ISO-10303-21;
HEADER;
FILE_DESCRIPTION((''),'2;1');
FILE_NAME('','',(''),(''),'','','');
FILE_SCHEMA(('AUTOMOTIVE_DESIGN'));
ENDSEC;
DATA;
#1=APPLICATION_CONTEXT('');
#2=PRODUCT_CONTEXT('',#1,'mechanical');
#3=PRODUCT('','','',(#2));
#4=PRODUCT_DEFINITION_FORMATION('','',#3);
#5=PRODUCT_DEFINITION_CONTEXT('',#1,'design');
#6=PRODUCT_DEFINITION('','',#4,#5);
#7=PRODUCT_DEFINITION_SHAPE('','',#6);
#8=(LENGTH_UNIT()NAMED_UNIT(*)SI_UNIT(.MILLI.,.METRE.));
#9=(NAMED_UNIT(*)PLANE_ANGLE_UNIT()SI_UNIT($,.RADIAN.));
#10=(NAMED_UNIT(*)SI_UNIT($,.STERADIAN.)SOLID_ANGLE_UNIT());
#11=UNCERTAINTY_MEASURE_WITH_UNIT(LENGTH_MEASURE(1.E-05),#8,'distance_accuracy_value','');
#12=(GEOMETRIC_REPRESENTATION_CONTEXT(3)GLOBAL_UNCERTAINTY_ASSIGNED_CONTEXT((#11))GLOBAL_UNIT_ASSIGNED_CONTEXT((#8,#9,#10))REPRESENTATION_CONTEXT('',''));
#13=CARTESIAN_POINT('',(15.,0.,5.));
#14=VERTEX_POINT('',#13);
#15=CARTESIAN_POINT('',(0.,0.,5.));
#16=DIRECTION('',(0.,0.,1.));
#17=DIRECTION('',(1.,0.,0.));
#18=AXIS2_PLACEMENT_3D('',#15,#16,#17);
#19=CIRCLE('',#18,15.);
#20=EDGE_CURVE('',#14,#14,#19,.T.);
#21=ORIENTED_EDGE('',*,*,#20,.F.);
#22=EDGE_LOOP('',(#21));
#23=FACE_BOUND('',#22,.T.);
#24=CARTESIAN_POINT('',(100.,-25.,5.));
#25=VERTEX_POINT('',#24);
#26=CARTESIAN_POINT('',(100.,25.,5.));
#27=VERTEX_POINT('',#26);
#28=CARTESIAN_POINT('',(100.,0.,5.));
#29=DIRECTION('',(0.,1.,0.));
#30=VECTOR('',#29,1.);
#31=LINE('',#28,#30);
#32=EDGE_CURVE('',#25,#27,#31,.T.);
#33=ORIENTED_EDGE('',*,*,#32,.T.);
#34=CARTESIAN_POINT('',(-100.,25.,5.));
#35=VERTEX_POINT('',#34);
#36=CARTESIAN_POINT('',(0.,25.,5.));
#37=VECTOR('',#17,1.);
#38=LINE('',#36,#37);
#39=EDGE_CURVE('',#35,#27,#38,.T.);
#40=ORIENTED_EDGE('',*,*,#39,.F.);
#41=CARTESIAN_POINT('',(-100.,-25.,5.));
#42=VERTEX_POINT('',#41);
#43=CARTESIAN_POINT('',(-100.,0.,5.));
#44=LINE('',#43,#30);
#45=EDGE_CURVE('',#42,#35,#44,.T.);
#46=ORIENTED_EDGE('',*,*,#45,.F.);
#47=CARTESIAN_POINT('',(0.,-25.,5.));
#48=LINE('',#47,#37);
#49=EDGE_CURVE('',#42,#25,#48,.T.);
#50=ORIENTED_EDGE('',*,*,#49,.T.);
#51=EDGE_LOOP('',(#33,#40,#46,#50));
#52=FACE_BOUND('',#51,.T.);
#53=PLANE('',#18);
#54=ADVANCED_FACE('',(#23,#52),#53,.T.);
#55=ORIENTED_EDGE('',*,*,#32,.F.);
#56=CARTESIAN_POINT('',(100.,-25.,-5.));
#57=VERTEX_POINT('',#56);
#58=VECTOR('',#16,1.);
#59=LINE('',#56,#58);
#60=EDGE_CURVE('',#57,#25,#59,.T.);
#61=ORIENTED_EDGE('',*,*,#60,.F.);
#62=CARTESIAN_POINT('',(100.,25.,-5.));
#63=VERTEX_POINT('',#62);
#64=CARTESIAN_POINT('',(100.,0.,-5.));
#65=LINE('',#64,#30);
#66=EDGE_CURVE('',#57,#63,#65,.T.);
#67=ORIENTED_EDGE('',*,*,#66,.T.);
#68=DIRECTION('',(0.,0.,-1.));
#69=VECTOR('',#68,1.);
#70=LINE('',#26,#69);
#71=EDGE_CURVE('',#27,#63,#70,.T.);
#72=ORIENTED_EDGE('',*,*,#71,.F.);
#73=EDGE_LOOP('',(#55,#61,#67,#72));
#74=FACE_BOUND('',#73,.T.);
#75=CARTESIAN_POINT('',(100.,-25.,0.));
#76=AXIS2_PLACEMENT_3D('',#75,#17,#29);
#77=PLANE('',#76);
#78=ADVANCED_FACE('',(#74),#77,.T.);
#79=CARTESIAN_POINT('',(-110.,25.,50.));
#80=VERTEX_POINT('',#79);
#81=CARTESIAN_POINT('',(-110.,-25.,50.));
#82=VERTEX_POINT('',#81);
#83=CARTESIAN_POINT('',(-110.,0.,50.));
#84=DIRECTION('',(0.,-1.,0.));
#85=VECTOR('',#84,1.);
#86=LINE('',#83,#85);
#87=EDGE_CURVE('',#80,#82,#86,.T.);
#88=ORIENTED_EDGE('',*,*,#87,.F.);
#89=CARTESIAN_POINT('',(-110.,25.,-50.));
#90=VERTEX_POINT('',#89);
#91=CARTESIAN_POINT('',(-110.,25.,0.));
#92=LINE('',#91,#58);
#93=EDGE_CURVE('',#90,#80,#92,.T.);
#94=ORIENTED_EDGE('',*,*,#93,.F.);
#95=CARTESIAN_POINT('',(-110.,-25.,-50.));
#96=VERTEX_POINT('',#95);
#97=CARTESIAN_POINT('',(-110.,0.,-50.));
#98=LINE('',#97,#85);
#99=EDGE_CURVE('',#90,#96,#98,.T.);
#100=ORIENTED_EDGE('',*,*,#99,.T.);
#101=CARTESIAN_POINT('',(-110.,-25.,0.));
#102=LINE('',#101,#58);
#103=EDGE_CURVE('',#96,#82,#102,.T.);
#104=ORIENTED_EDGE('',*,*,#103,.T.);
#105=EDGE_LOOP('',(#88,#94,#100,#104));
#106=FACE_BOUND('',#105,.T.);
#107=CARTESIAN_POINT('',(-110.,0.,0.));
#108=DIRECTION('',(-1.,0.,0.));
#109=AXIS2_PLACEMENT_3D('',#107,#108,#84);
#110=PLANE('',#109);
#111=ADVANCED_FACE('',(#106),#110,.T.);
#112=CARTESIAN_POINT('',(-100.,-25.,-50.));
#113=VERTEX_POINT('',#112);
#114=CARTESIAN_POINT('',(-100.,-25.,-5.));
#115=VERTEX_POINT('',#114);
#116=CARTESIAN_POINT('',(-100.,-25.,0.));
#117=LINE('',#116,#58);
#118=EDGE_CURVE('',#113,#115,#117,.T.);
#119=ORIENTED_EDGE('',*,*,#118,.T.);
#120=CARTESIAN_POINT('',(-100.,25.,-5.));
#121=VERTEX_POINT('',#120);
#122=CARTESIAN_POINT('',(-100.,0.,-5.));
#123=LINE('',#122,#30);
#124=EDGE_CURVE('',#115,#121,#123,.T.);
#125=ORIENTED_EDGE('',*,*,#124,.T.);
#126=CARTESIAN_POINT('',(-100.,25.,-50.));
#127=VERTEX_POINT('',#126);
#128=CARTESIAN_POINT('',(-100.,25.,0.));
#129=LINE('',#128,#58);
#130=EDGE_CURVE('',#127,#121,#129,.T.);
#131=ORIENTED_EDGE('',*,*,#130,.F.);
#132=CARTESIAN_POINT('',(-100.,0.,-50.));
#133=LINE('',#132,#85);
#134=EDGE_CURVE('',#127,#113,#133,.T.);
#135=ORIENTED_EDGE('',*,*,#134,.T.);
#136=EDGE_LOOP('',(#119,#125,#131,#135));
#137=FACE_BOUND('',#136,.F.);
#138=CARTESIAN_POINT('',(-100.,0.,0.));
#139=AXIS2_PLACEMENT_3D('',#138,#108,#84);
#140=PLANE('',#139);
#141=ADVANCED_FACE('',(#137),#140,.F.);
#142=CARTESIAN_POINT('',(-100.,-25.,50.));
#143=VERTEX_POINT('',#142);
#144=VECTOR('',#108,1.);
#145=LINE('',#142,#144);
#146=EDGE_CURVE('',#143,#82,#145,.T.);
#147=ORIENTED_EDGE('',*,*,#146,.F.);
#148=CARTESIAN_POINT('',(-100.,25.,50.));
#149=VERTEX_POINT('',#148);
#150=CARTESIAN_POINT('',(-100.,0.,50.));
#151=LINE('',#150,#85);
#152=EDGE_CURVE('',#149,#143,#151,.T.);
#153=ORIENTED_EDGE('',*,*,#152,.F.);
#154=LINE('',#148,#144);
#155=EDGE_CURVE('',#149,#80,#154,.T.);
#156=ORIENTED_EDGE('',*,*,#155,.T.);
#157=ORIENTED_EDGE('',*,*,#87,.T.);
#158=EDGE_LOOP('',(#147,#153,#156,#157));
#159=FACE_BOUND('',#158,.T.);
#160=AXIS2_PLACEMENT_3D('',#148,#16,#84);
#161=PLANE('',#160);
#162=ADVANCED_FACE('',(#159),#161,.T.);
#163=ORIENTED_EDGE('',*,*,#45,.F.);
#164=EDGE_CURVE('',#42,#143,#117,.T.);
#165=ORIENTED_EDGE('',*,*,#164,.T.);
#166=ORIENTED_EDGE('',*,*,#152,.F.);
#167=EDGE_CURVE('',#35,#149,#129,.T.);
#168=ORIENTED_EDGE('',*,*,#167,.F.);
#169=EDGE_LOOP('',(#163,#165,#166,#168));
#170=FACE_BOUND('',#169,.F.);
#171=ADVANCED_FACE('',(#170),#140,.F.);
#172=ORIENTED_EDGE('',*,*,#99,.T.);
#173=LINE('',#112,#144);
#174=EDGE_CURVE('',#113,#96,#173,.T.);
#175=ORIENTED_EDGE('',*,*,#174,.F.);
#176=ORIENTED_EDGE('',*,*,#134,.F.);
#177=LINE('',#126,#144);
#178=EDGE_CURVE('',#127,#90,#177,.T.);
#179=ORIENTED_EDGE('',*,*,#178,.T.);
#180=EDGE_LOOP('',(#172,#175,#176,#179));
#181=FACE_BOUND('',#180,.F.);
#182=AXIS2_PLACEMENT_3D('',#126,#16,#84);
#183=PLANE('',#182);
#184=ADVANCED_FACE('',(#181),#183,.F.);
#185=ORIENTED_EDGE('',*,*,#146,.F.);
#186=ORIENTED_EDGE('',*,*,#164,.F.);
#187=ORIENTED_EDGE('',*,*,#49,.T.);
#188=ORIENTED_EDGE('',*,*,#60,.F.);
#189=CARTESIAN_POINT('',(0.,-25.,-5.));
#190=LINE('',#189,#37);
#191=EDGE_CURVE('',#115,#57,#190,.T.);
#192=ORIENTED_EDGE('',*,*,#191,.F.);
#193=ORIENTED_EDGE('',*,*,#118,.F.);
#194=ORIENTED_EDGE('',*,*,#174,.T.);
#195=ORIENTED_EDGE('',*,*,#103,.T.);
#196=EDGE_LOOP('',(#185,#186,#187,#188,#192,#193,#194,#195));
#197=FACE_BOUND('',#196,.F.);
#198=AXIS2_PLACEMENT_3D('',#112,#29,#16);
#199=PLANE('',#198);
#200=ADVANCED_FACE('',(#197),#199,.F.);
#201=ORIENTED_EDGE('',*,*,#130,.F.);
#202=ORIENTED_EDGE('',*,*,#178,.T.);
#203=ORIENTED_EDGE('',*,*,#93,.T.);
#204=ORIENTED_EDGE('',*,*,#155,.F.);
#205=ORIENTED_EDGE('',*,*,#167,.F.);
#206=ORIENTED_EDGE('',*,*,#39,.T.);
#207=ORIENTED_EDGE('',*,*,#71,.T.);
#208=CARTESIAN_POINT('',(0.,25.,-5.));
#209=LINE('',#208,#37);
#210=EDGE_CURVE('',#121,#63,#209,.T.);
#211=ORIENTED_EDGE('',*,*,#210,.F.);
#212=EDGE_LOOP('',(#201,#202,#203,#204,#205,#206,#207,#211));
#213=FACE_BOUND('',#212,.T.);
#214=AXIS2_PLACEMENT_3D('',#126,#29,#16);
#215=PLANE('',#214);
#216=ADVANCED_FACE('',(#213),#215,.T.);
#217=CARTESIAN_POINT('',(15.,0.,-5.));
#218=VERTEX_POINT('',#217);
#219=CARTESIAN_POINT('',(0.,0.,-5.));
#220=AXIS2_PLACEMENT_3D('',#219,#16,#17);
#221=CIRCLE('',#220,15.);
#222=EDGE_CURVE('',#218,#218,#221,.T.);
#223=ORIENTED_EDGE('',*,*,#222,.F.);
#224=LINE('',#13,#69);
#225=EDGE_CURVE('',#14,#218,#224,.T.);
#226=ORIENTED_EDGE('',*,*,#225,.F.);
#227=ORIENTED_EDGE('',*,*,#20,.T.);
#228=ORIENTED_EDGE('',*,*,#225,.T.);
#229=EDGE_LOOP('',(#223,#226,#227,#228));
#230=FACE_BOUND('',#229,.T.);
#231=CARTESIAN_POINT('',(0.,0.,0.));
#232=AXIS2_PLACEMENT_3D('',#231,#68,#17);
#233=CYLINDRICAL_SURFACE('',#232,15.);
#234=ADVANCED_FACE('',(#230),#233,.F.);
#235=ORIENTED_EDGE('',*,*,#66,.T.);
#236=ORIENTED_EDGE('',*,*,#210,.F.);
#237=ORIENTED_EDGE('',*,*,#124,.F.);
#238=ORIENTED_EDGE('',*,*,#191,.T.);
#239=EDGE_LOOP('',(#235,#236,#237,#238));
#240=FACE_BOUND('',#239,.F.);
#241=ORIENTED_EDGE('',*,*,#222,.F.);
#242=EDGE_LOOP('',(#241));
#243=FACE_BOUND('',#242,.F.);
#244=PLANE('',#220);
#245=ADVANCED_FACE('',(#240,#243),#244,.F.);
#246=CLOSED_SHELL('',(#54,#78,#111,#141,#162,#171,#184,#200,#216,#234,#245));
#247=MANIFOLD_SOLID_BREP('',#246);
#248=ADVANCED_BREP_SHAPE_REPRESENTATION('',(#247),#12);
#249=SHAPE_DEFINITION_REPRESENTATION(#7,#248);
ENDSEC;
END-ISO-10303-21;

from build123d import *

# Parameters (mm, degrees)
F0_W     = 200
F0_H     = 50
F0_R     = 15
F1_DEPTH = 5
F2_W     = 50
F2_H     = 100
F3_DEPTH = 10


with BuildPart() as f1:
    # F0 (on Top) → F1 (new body, symmetric)
    with BuildSketch(Plane.XY):
        Rectangle(F0_W, F0_H)
        Circle(F0_R, mode=Mode.SUBTRACT)
    extrude(amount=F1_DEPTH, both=True)

    # F2 (on face) → F3 (join)
    with BuildSketch(Plane(origin=(-100, 0, 0), x_dir=(0, -1, 0), z_dir=(-1, 0, 0))):
        Rectangle(F2_W, F2_H)
    extrude(amount=F3_DEPTH)


solid = f1.part
